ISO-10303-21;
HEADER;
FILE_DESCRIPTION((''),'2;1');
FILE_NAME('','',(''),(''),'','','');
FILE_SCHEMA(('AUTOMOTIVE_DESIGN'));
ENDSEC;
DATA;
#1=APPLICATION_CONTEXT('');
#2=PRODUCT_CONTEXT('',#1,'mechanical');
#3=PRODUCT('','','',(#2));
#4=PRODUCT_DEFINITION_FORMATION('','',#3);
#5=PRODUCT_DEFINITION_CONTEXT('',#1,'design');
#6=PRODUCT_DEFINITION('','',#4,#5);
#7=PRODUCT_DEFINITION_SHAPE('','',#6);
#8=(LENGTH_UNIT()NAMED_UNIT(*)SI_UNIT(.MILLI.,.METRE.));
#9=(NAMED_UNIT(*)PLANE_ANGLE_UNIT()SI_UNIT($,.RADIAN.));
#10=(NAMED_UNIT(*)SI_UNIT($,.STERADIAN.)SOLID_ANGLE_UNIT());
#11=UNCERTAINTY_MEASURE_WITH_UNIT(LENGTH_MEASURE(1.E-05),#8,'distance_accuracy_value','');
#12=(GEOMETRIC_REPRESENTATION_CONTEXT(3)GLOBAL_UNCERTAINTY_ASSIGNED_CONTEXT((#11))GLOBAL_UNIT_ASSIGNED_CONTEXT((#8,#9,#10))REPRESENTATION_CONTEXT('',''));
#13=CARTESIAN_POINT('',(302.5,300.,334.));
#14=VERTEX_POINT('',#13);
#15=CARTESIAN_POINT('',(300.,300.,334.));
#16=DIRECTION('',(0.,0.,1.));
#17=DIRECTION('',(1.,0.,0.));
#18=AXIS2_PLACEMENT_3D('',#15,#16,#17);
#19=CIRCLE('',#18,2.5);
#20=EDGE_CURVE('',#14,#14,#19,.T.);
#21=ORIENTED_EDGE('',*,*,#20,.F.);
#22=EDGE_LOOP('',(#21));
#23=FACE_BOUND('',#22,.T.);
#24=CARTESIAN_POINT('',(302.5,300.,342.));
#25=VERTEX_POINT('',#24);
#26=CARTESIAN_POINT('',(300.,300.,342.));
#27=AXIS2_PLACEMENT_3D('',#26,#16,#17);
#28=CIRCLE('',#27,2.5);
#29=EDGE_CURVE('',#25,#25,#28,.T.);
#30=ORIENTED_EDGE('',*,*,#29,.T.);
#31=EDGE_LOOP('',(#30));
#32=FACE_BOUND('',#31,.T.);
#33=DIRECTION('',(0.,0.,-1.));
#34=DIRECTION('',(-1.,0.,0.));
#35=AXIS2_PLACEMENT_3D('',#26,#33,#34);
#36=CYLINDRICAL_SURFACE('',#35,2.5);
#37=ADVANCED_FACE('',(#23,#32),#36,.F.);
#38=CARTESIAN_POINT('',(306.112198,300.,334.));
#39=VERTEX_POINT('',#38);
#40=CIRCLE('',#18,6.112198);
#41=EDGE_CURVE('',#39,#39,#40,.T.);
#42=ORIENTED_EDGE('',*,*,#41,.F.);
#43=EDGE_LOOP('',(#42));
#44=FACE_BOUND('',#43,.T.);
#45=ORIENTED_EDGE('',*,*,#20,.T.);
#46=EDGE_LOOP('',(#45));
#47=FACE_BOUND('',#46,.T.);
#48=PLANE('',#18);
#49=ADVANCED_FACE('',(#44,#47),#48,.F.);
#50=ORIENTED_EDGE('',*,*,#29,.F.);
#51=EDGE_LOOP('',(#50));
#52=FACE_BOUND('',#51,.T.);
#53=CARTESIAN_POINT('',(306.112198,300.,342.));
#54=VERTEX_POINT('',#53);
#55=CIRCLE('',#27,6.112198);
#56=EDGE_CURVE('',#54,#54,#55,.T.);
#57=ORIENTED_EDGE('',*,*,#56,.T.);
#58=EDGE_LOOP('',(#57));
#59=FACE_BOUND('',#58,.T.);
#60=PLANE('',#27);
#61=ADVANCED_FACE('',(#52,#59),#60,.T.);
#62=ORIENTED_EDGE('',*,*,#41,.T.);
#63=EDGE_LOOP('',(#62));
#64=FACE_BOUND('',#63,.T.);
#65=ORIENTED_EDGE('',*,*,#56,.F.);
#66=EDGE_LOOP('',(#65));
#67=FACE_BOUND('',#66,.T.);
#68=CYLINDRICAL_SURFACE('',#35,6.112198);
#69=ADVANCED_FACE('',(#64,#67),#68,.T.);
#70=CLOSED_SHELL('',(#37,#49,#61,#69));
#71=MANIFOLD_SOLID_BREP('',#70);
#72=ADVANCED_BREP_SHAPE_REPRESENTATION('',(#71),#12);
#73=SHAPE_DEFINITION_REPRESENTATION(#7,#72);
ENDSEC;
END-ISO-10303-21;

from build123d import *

# Parameters (mm, degrees)
SKETCH1_R           = 6.112197724
SKETCH1_R_2         = 2.5
BOSS_EXTRUDE1_DEPTH = 8


with BuildPart() as part:
    # Sketch1 → Boss-Extrude1 (new body)
    with BuildSketch(Plane.XY.offset(334)):
        with Locations((300, 300)):
            Circle(SKETCH1_R)
        with Locations((300, 300)):
            Circle(SKETCH1_R_2, mode=Mode.SUBTRACT)
    extrude(amount=BOSS_EXTRUDE1_DEPTH)


solid = part.part
